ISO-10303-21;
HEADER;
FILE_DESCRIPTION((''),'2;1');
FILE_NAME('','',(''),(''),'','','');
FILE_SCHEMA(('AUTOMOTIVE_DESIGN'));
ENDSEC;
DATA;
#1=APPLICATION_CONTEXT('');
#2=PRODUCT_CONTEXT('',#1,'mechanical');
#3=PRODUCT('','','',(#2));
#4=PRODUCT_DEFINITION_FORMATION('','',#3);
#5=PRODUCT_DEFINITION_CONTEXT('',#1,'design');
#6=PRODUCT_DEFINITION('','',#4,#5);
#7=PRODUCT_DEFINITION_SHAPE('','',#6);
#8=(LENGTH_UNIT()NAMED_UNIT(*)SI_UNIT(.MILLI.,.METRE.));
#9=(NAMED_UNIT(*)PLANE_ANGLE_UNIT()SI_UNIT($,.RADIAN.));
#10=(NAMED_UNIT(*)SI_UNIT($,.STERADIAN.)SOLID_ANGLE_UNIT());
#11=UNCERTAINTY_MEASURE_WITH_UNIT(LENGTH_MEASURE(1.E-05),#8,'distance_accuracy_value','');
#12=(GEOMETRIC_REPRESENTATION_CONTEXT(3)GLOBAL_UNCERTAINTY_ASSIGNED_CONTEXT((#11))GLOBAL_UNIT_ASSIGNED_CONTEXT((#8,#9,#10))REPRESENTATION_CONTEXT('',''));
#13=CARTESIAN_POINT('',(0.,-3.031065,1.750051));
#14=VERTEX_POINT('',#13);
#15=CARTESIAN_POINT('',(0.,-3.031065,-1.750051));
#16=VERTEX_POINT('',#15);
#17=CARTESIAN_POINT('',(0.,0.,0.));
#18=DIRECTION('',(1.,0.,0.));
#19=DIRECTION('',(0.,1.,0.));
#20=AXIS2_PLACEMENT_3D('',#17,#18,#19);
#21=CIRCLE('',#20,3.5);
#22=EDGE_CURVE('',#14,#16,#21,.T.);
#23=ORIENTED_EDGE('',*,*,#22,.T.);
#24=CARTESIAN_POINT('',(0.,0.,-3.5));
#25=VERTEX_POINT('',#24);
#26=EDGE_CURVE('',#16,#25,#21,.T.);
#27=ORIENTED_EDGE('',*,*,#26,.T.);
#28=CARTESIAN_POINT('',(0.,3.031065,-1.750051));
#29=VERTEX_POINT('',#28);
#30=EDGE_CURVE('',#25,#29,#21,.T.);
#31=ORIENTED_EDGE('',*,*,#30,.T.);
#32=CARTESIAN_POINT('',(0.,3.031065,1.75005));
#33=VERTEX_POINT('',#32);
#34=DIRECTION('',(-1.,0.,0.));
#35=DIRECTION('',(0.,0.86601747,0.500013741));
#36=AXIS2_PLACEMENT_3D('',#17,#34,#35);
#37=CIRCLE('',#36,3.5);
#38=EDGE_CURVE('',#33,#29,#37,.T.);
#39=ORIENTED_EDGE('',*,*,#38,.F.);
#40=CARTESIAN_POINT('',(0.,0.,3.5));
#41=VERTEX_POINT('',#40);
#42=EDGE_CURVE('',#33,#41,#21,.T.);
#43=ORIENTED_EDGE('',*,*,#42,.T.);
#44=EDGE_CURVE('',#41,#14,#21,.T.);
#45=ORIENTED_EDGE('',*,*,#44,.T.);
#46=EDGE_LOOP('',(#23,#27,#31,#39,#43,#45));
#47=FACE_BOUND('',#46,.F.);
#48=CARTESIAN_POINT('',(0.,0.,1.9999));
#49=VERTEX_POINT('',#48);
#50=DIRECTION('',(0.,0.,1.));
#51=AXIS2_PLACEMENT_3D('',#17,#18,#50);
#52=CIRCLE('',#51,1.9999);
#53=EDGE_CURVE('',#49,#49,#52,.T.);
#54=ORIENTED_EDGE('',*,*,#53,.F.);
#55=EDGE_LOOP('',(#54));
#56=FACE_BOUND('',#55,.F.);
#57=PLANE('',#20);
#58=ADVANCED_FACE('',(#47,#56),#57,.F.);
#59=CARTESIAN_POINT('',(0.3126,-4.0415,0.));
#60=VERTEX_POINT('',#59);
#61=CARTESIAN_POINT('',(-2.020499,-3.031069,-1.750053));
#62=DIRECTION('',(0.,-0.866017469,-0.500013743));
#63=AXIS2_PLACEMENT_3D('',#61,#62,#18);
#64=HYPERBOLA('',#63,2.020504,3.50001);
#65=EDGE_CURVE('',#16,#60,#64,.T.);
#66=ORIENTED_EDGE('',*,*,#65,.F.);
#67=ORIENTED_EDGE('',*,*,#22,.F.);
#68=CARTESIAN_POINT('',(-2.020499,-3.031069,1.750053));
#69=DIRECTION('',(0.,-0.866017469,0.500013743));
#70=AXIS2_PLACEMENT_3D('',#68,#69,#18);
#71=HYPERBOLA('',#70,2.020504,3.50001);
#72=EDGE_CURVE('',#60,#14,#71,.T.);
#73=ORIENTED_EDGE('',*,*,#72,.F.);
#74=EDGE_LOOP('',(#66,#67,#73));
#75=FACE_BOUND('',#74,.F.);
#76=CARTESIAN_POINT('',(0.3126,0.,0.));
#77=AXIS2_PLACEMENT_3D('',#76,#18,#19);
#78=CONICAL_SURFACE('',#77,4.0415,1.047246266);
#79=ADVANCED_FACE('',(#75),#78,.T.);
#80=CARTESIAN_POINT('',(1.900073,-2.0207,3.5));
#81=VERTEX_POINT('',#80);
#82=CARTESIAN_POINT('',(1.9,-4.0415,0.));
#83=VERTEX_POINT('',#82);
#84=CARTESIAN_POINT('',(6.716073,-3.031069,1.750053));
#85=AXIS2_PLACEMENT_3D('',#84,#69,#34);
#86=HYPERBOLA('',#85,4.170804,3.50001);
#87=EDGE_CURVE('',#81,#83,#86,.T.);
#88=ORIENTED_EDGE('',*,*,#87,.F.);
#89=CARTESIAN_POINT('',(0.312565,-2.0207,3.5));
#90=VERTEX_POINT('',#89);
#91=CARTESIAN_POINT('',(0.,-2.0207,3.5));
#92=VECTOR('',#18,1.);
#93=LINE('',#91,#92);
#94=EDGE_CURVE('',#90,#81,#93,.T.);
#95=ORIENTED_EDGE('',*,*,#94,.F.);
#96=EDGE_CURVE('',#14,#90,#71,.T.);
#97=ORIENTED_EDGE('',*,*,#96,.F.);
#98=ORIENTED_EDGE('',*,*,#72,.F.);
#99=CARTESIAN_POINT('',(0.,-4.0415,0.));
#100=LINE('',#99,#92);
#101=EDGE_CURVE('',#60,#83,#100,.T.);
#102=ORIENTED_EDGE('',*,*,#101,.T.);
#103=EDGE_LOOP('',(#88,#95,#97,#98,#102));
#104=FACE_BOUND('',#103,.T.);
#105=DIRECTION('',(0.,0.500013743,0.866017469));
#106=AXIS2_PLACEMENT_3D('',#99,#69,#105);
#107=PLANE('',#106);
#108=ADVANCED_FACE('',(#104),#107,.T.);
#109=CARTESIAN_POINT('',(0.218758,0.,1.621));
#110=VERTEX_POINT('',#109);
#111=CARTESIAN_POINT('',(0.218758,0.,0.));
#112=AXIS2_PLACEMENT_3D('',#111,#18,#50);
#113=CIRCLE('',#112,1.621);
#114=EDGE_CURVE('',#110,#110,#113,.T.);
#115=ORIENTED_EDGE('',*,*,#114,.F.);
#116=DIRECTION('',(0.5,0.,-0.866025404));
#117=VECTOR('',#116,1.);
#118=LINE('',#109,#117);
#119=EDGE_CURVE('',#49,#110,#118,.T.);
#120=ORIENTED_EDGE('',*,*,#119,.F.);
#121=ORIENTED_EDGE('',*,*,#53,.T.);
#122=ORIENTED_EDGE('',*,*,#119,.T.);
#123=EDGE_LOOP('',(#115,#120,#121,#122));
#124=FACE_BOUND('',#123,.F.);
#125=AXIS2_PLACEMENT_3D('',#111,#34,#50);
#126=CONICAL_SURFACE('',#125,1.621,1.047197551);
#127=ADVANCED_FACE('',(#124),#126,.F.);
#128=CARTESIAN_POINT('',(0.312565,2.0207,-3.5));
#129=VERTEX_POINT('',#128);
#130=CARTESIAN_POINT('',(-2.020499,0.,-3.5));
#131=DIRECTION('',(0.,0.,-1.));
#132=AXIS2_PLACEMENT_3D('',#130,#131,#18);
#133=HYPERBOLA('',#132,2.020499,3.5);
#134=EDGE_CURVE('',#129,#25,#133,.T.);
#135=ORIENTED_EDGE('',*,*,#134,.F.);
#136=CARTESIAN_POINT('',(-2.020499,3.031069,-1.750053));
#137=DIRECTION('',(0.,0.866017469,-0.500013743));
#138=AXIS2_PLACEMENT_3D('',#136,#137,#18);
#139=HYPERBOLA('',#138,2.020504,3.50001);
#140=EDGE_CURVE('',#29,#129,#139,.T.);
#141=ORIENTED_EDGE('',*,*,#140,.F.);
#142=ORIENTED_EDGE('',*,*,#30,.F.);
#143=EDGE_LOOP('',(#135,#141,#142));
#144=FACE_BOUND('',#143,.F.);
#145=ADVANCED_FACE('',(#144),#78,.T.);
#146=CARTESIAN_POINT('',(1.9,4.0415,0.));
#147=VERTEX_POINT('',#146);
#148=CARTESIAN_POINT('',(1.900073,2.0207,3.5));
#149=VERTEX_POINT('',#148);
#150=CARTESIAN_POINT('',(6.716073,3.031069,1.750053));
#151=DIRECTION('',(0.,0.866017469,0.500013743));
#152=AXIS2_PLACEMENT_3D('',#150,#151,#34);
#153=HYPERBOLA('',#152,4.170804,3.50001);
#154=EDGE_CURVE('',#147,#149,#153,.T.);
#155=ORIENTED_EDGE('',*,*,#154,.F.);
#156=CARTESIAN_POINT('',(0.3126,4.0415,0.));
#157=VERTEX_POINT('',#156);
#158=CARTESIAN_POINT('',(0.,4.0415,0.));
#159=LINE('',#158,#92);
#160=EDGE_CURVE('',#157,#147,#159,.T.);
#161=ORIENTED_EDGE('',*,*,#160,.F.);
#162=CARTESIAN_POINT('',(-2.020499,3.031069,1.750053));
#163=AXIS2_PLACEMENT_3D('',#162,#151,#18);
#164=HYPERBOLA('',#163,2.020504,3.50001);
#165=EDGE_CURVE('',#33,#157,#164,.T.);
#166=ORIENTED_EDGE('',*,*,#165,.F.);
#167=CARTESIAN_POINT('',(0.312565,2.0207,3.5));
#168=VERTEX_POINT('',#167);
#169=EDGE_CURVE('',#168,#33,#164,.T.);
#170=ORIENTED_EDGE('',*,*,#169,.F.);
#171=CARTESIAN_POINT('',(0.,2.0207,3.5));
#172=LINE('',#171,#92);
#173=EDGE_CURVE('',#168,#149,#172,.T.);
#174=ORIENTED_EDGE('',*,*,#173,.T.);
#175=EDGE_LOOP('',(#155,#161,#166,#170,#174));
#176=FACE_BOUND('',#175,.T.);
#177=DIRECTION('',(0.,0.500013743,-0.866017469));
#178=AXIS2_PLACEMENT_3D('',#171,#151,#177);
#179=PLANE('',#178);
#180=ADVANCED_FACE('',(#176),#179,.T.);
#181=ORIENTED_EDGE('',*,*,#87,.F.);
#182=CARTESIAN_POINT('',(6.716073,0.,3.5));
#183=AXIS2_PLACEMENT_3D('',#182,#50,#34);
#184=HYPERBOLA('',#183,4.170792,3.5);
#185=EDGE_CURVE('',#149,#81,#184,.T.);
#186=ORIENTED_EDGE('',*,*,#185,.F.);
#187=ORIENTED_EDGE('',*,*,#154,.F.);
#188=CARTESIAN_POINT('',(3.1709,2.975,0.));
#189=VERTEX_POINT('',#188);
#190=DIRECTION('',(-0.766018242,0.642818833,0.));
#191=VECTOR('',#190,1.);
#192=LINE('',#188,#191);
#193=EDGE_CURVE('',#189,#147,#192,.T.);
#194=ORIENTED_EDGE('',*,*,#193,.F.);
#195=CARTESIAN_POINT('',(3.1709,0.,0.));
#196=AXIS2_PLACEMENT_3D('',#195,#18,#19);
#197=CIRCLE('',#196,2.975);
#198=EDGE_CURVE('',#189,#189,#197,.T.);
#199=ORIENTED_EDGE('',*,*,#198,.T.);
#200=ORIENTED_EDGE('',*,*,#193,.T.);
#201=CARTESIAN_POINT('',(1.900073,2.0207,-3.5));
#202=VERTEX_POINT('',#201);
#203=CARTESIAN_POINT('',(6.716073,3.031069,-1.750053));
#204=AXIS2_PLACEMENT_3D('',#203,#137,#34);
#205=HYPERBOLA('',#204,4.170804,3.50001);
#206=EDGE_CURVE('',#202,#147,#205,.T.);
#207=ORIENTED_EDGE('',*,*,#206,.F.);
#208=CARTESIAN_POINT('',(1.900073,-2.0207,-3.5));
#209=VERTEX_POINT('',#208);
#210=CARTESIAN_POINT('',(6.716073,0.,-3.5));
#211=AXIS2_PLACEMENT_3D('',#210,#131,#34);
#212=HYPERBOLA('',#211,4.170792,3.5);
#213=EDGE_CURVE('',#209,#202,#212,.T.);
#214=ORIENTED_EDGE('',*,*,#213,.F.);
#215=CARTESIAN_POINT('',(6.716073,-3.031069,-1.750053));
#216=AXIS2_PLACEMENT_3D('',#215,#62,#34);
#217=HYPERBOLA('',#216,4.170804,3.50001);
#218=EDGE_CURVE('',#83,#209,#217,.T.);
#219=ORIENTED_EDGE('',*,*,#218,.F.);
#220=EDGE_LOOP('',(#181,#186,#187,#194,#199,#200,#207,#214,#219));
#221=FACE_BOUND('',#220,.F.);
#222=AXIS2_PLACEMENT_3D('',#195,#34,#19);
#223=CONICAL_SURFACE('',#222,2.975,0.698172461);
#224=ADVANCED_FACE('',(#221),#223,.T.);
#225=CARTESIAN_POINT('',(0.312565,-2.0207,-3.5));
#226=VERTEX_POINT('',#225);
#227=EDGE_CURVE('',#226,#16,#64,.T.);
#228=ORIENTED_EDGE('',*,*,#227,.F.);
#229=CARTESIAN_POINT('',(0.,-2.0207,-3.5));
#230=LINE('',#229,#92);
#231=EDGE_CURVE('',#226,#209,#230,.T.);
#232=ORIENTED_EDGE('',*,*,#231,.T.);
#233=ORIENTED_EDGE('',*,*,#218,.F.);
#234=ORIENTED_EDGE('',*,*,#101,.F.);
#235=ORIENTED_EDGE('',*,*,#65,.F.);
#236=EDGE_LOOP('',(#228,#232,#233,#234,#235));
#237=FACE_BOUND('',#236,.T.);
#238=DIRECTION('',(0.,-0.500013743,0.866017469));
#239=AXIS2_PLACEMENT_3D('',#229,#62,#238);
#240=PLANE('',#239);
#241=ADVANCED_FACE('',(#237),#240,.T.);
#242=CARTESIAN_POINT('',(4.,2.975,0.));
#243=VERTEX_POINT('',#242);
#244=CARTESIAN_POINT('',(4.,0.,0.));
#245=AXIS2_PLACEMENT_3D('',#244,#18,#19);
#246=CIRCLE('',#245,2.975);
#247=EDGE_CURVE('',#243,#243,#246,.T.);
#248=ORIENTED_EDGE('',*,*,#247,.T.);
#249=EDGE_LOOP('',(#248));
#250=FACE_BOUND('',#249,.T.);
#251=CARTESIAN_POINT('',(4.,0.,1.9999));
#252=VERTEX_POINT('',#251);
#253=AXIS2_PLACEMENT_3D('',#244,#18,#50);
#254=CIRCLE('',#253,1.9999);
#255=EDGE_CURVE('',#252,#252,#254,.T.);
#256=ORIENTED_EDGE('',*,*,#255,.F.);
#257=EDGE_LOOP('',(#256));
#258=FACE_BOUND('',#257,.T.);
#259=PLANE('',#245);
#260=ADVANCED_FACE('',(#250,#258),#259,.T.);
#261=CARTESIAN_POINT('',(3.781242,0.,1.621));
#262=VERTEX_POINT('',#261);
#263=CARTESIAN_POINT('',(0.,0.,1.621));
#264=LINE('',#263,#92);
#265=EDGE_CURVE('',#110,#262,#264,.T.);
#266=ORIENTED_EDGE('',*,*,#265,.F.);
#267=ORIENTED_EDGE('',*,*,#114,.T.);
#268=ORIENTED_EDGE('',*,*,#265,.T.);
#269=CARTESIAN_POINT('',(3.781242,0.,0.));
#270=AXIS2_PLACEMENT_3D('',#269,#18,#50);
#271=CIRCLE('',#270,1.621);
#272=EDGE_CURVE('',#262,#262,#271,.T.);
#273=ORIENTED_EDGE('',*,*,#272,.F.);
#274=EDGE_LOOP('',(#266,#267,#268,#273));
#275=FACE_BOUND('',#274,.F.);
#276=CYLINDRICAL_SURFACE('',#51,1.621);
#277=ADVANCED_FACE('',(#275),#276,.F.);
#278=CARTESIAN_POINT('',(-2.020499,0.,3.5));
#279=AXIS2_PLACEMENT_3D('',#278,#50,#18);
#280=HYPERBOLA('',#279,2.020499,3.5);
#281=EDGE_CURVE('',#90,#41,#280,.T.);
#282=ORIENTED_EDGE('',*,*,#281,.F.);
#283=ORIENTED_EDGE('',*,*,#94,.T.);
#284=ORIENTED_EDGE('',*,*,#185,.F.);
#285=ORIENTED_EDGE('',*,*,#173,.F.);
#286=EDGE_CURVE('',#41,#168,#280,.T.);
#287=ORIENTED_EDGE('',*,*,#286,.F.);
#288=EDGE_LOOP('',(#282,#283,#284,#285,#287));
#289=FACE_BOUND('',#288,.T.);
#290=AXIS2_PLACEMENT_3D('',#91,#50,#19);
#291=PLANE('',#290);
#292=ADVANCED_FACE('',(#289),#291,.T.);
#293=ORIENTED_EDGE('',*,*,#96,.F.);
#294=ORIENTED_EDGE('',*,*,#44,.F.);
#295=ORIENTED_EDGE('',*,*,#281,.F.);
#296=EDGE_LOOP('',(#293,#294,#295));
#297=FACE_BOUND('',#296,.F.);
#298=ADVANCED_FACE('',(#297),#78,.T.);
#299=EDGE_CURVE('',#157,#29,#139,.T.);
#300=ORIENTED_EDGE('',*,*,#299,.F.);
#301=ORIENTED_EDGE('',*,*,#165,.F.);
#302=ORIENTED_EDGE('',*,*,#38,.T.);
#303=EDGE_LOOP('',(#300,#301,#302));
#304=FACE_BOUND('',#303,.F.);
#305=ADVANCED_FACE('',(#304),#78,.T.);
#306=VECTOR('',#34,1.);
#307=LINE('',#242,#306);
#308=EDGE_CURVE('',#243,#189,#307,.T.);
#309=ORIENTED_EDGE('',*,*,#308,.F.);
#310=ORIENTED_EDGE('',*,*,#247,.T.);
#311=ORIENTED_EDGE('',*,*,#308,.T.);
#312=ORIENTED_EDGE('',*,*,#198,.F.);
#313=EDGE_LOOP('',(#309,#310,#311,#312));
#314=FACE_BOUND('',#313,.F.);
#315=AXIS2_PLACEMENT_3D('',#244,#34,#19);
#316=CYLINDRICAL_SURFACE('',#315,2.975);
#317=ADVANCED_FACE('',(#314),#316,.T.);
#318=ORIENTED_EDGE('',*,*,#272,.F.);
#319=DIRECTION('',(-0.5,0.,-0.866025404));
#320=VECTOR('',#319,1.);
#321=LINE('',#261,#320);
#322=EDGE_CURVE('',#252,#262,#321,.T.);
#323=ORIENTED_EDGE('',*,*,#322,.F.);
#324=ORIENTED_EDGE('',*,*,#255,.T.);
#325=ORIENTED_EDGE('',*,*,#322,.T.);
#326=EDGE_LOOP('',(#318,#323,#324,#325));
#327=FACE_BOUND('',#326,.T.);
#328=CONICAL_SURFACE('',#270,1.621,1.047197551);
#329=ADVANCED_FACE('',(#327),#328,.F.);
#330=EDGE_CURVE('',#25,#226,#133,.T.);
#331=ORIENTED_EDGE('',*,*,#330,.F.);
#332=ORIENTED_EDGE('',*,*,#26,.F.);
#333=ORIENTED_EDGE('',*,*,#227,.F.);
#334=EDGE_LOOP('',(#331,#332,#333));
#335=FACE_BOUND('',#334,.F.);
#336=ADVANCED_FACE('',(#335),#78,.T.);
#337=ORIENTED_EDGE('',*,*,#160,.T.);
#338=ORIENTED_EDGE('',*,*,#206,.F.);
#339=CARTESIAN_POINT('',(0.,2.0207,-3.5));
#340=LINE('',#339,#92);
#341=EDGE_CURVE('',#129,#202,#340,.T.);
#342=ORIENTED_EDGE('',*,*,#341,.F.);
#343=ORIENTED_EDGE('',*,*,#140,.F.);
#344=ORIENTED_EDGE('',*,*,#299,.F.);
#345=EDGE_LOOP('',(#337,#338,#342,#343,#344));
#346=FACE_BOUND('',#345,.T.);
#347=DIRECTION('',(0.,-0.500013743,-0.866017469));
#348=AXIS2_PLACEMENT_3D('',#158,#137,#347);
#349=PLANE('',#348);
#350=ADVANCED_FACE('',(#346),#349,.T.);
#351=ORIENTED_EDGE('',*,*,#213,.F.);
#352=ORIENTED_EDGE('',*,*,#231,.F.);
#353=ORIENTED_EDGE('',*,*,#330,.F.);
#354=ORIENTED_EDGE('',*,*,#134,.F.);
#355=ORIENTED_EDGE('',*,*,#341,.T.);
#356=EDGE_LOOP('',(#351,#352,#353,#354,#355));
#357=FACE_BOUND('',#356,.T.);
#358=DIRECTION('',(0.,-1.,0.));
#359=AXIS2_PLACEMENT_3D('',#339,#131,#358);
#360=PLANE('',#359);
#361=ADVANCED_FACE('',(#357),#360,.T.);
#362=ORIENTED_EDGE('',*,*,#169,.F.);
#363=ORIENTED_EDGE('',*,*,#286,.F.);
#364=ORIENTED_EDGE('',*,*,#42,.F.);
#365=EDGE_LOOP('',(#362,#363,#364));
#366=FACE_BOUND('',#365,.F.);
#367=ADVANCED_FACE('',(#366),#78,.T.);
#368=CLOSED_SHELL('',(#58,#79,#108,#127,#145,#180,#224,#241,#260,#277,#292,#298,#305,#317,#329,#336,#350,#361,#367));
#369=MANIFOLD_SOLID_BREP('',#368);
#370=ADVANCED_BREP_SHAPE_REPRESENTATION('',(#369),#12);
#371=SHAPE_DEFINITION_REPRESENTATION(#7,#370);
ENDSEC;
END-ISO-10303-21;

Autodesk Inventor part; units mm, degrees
ref_plane "YZ Plane" through (0, 0, 0) normal (1, 0, 0) x (0, 1, 0)
ref_plane "XZ Plane" through (0, 0, 0) normal (0, 1, 0) x (-1, 0, 0)
sketch "Sketch1" plane through (0, 0, 0) normal (1, 0, 0) x (0, 1, 0)
  line L0 (-4.0415, 0) -> (-2.0207, 3.5)
  line L1 (-2.0207, 3.5) -> (2.0207, 3.5)
  line L2 (2.0207, 3.5) -> (4.0415, 0)
  line L3 (4.0415, 0) -> (2.0207, -3.5)
  line L4 (2.0207, -3.5) -> (-2.0207, -3.5)
  line L5 (-2.0207, -3.5) -> (-4.0415, 0)
  point P0 (0, 0)
  point P1 (0, 0)
  dimension "d0" = 8.0829
extrude "Body" add sketch "Sketch1" along normal blind 4
sketch "Sketch2" plane through (0, 0, 0) normal (-1, 0, 0) x (0, 0, 1)
  line L0 (0, -5.658) -> (0, 5.658) projected
  line L1 (-4.9, 0) -> (4.9, 0) projected
  point P0 (0, 0)
hole "Thread" at (0, 0, 0) direction (1, 0, 0) diameter 3.242 end through all thread size "M4x0.7" class "6H" standard "ANSI Metric M Profile"
chamfer "Chamfer1" distance 0.3789 angle 30 1 edges at (0, 0, -1.621) measured on face at (0, -2.4654, -1.4736)
chamfer "Chamfer2" distance 0.3789 angle 30 1 edges at (4, 0, -1.621) measured on face at (4, -2.4654, -1.4736)
sketch "Sketch3" plane through (0, 0, 0) normal (0, 0, 1) x (1, 0, 0)
  line L0 (0, 2.0207) -> (0, 4.0415) projected
  line L1 (0, 4.0415) -> (4, 4.0415) projected
  line L2 (4, 2.0207) -> (4, 4.0415) projected
  line L3 (-0.8, 0) -> (4.8, 0) projected
  line L4 (0.3126, 4.0415) -> (0, 3.5)
  line L5 (4, 2.975) -> (3.1709, 2.975)
  line L6 (3.1709, 2.975) -> (1.9, 4.0415)
  dimension "d3" = 30
  dimension "d5" = 7
  dimension "d6" = 5.95
  dimension "d8" = 50
  dimension "d9" = 1.9
revolve "Chamfer3" cut sketch "Sketch3" angle 360 about axis through (-10, 0, 0) along (1, 0, 0)
ref_plane "Work Plane1" through (11.4164, 0, 0) normal (0, 0, 1) x (-1, 0, 0)
equation "\"d0\" = 1.1547 * SW"
equation "\"d1\" = KOH"
equation "\"d3\" = ANG1"
equation "\"d5\" = SW0"
equation "\"d6\" = SW1"
equation "\"d8\" = ANG2"
equation "\"d9\" = KOH1"
equation "\"d10\" = -0.5 * GD1 + 0.5 * NND"
equation "\"d39\" = -0.5 * GD1 + 0.5 * NND"
equation "\"d12\" = -0.5 * GD1 + 0.5 * NND"
equation "\"d40\" = -0.5 * GD1 + 0.5 * NND"
equation "\"ANG1\" = 30deg"
equation "\"ANG2\" = 50deg"
equation "\"NND\" = 4"
equation "\"KOH\" = 4"
equation "\"SW\" = 7"
equation "\"SW0\" = SW"
equation "\"SW1\" = 0.85 * SW"
equation "\"KOH1\" = 1.9"
equation "\"GUL\" = 0.541266 * PTC"
equation "\"THREADDIA\" = 4"
equation "\"TOA\" = 30deg"
equation "\"PTC\" = 0.7"
equation "\"E0\" = 1.155 * SW"
equation "\"GAL\" = 0.541266 * PTC"
equation "\"GD1\" = 3.242228"
properties part number "ANSI B18.16.3M - Property Class 9 - Metric M4 x 0.7 Metal Type" material "Steel, Mild"
